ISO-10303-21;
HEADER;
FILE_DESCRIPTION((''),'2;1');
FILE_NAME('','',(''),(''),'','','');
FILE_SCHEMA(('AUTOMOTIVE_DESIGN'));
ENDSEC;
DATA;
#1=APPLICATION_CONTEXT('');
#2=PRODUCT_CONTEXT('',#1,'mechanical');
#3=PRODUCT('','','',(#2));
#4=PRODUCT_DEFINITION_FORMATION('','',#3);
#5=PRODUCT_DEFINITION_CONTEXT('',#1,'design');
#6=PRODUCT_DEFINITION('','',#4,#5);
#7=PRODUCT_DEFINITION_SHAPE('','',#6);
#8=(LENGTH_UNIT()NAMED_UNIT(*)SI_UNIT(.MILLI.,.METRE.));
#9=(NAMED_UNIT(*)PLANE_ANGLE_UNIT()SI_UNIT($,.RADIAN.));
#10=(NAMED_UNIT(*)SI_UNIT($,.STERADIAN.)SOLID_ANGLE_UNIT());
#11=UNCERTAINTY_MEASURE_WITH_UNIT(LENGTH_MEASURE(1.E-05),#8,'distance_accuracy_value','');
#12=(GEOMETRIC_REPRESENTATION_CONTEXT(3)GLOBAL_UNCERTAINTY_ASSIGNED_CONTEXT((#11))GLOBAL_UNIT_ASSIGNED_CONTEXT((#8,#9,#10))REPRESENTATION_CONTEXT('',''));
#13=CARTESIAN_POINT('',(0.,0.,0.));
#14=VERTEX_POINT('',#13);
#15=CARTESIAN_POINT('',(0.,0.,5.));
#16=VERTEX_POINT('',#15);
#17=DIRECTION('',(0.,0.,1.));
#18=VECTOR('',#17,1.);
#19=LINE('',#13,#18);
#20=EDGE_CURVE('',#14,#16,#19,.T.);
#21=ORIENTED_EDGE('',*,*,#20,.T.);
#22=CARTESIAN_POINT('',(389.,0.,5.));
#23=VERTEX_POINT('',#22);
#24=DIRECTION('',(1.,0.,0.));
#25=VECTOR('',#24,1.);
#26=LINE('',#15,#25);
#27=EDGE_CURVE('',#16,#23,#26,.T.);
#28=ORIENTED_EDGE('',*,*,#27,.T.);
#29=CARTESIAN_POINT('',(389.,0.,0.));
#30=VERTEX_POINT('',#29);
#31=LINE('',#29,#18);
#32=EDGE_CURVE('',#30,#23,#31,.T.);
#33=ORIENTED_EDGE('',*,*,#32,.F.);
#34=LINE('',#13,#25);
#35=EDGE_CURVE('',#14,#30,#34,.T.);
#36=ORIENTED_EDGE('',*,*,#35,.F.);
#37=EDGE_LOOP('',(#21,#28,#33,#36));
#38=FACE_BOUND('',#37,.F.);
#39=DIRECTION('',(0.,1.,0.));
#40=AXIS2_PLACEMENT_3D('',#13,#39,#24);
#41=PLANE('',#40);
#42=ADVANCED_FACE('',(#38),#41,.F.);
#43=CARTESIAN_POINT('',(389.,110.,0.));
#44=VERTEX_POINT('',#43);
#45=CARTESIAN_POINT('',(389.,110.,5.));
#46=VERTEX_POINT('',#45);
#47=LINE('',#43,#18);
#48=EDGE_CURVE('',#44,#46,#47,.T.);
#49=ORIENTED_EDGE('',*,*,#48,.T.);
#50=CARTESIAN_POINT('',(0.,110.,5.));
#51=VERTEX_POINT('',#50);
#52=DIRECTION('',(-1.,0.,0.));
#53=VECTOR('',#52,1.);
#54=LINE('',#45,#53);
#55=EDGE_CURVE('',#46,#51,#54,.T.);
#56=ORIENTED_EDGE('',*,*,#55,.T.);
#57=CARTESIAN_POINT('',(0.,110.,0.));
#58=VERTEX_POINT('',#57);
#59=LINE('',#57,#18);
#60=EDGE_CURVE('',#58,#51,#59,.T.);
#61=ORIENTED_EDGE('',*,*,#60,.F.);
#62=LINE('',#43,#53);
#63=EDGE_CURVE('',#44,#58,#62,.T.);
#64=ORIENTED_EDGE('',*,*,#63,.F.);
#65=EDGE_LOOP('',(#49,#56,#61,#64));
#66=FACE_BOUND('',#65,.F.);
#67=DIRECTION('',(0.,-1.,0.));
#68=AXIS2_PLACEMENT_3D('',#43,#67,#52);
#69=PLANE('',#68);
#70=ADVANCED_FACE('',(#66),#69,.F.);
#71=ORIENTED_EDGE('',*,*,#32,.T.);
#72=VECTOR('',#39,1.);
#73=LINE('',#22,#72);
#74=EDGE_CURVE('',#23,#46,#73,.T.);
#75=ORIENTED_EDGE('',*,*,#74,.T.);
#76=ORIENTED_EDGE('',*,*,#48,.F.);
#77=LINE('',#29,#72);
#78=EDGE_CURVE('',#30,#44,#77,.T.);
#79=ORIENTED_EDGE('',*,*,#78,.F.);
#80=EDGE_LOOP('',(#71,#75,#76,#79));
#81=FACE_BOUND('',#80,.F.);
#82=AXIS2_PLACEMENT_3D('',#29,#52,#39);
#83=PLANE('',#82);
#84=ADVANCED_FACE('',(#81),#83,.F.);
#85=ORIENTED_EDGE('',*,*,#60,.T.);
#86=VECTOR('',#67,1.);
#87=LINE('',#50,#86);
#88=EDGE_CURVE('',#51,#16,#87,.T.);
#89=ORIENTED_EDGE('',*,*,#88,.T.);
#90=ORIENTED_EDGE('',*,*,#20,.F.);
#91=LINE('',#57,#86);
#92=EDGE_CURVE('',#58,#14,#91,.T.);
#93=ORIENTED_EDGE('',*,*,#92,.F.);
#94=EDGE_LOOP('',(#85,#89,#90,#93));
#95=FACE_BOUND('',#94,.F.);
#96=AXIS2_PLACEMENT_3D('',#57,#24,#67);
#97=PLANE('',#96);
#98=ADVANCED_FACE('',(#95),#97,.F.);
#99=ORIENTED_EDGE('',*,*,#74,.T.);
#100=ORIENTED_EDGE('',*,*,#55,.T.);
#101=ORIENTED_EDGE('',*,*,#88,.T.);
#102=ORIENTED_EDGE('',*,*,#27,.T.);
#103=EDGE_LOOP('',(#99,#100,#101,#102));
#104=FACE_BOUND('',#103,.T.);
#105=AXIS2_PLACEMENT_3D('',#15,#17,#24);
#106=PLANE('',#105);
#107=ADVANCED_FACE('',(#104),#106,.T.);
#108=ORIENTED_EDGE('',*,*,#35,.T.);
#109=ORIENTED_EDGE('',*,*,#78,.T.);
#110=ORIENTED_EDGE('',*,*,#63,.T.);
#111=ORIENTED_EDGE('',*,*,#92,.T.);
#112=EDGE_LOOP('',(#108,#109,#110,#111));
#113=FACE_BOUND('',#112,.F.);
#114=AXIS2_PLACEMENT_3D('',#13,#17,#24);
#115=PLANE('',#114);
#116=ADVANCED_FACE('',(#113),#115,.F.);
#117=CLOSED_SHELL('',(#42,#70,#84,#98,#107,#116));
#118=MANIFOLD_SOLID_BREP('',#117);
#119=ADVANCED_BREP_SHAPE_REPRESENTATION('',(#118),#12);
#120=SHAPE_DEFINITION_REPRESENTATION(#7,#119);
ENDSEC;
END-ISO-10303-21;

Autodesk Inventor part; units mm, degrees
ref_plane "YZ Plane" through (0, 0, 0) normal (1, 0, 0) x (0, 1, 0)
ref_plane "XZ Plane" through (0, 0, 0) normal (0, 1, 0) x (-1, 0, 0)
ref_plane "XY Plane" through (0, 0, 0) normal (0, 0, 1) x (1, 0, 0)
sketch "Sketch2" plane through (0, 0, 0) normal (0, 0, 1) x (1, 0, 0)
  line L0 (0, 0) -> (389, 0)
  line L1 (389, 0) -> (389, 110)
  line L2 (389, 110) -> (0, 110)
  line L3 (0, 110) -> (0, 0)
  dimension "d4" = 389
  dimension "d5" = 110
extrude "Extrusion2" add sketch "Sketch2" along normal blind 5
equation "\"d4\" = tankl + 2 * pvct"
equation "\"d5\" = tankw + 2 * pvct"
equation "\"d6\" = pvct"
equation "\"lcsd\" = 19.05"
equation "\"lcwd1\" = 25"
equation "\"lcwd2\" = 34"
equation "\"lch1\" = 39"
equation "\"lcwd3\" = 43"
equation "\"dia1\" = 6"
equation "\"td\" = 18"
equation "\"bhh\" = 6"
equation "\"sw\" = 25"
equation "\"sh\" = 31"
equation "\"spacert\" = 2"
equation "\"pvct\" = 5"
equation "\"tankl\" = 379"
equation "\"dia3\" = 8"
equation "\"dia4\" = 11"
equation "\"play\" = 9"
equation "\"holeh\" = 26"
equation "\"slack\" = 0.5"
equation "\"surroundt\" = 5"
equation "\"play2\" = 3"
equation "\"diawater\" = 25"
equation "\"diaair\" = 32"
equation "\"diaoverflow\" = 25"
equation "\"diaph\" = 32"
equation "\"diacucl\" = 32"
equation "\"diasurroundhole\" = 42"
equation "\"diagrate\" = 12"
equation "\"gratespacing\" = 12.02082"
equation "\"bottomdist\" = 9.6355"
equation "\"sidedist\" = 13.9375"
equation "\"diahcl\" = 32"
equation "\"bracketwtop\" = 6"
equation "\"bracketwbottom\" = 6"
equation "\"nett\" = 1"
equation "\"nethole\" = 16"
equation "\"netside\" = 3.5"
equation "\"nettop\" = 7"
equation "\"netholespacing\" = 2"
equation "\"diaetape\" = 32"
equation "\"tankw\" = 100"
properties part number "tank_bottom" material "PVC-Piping"
